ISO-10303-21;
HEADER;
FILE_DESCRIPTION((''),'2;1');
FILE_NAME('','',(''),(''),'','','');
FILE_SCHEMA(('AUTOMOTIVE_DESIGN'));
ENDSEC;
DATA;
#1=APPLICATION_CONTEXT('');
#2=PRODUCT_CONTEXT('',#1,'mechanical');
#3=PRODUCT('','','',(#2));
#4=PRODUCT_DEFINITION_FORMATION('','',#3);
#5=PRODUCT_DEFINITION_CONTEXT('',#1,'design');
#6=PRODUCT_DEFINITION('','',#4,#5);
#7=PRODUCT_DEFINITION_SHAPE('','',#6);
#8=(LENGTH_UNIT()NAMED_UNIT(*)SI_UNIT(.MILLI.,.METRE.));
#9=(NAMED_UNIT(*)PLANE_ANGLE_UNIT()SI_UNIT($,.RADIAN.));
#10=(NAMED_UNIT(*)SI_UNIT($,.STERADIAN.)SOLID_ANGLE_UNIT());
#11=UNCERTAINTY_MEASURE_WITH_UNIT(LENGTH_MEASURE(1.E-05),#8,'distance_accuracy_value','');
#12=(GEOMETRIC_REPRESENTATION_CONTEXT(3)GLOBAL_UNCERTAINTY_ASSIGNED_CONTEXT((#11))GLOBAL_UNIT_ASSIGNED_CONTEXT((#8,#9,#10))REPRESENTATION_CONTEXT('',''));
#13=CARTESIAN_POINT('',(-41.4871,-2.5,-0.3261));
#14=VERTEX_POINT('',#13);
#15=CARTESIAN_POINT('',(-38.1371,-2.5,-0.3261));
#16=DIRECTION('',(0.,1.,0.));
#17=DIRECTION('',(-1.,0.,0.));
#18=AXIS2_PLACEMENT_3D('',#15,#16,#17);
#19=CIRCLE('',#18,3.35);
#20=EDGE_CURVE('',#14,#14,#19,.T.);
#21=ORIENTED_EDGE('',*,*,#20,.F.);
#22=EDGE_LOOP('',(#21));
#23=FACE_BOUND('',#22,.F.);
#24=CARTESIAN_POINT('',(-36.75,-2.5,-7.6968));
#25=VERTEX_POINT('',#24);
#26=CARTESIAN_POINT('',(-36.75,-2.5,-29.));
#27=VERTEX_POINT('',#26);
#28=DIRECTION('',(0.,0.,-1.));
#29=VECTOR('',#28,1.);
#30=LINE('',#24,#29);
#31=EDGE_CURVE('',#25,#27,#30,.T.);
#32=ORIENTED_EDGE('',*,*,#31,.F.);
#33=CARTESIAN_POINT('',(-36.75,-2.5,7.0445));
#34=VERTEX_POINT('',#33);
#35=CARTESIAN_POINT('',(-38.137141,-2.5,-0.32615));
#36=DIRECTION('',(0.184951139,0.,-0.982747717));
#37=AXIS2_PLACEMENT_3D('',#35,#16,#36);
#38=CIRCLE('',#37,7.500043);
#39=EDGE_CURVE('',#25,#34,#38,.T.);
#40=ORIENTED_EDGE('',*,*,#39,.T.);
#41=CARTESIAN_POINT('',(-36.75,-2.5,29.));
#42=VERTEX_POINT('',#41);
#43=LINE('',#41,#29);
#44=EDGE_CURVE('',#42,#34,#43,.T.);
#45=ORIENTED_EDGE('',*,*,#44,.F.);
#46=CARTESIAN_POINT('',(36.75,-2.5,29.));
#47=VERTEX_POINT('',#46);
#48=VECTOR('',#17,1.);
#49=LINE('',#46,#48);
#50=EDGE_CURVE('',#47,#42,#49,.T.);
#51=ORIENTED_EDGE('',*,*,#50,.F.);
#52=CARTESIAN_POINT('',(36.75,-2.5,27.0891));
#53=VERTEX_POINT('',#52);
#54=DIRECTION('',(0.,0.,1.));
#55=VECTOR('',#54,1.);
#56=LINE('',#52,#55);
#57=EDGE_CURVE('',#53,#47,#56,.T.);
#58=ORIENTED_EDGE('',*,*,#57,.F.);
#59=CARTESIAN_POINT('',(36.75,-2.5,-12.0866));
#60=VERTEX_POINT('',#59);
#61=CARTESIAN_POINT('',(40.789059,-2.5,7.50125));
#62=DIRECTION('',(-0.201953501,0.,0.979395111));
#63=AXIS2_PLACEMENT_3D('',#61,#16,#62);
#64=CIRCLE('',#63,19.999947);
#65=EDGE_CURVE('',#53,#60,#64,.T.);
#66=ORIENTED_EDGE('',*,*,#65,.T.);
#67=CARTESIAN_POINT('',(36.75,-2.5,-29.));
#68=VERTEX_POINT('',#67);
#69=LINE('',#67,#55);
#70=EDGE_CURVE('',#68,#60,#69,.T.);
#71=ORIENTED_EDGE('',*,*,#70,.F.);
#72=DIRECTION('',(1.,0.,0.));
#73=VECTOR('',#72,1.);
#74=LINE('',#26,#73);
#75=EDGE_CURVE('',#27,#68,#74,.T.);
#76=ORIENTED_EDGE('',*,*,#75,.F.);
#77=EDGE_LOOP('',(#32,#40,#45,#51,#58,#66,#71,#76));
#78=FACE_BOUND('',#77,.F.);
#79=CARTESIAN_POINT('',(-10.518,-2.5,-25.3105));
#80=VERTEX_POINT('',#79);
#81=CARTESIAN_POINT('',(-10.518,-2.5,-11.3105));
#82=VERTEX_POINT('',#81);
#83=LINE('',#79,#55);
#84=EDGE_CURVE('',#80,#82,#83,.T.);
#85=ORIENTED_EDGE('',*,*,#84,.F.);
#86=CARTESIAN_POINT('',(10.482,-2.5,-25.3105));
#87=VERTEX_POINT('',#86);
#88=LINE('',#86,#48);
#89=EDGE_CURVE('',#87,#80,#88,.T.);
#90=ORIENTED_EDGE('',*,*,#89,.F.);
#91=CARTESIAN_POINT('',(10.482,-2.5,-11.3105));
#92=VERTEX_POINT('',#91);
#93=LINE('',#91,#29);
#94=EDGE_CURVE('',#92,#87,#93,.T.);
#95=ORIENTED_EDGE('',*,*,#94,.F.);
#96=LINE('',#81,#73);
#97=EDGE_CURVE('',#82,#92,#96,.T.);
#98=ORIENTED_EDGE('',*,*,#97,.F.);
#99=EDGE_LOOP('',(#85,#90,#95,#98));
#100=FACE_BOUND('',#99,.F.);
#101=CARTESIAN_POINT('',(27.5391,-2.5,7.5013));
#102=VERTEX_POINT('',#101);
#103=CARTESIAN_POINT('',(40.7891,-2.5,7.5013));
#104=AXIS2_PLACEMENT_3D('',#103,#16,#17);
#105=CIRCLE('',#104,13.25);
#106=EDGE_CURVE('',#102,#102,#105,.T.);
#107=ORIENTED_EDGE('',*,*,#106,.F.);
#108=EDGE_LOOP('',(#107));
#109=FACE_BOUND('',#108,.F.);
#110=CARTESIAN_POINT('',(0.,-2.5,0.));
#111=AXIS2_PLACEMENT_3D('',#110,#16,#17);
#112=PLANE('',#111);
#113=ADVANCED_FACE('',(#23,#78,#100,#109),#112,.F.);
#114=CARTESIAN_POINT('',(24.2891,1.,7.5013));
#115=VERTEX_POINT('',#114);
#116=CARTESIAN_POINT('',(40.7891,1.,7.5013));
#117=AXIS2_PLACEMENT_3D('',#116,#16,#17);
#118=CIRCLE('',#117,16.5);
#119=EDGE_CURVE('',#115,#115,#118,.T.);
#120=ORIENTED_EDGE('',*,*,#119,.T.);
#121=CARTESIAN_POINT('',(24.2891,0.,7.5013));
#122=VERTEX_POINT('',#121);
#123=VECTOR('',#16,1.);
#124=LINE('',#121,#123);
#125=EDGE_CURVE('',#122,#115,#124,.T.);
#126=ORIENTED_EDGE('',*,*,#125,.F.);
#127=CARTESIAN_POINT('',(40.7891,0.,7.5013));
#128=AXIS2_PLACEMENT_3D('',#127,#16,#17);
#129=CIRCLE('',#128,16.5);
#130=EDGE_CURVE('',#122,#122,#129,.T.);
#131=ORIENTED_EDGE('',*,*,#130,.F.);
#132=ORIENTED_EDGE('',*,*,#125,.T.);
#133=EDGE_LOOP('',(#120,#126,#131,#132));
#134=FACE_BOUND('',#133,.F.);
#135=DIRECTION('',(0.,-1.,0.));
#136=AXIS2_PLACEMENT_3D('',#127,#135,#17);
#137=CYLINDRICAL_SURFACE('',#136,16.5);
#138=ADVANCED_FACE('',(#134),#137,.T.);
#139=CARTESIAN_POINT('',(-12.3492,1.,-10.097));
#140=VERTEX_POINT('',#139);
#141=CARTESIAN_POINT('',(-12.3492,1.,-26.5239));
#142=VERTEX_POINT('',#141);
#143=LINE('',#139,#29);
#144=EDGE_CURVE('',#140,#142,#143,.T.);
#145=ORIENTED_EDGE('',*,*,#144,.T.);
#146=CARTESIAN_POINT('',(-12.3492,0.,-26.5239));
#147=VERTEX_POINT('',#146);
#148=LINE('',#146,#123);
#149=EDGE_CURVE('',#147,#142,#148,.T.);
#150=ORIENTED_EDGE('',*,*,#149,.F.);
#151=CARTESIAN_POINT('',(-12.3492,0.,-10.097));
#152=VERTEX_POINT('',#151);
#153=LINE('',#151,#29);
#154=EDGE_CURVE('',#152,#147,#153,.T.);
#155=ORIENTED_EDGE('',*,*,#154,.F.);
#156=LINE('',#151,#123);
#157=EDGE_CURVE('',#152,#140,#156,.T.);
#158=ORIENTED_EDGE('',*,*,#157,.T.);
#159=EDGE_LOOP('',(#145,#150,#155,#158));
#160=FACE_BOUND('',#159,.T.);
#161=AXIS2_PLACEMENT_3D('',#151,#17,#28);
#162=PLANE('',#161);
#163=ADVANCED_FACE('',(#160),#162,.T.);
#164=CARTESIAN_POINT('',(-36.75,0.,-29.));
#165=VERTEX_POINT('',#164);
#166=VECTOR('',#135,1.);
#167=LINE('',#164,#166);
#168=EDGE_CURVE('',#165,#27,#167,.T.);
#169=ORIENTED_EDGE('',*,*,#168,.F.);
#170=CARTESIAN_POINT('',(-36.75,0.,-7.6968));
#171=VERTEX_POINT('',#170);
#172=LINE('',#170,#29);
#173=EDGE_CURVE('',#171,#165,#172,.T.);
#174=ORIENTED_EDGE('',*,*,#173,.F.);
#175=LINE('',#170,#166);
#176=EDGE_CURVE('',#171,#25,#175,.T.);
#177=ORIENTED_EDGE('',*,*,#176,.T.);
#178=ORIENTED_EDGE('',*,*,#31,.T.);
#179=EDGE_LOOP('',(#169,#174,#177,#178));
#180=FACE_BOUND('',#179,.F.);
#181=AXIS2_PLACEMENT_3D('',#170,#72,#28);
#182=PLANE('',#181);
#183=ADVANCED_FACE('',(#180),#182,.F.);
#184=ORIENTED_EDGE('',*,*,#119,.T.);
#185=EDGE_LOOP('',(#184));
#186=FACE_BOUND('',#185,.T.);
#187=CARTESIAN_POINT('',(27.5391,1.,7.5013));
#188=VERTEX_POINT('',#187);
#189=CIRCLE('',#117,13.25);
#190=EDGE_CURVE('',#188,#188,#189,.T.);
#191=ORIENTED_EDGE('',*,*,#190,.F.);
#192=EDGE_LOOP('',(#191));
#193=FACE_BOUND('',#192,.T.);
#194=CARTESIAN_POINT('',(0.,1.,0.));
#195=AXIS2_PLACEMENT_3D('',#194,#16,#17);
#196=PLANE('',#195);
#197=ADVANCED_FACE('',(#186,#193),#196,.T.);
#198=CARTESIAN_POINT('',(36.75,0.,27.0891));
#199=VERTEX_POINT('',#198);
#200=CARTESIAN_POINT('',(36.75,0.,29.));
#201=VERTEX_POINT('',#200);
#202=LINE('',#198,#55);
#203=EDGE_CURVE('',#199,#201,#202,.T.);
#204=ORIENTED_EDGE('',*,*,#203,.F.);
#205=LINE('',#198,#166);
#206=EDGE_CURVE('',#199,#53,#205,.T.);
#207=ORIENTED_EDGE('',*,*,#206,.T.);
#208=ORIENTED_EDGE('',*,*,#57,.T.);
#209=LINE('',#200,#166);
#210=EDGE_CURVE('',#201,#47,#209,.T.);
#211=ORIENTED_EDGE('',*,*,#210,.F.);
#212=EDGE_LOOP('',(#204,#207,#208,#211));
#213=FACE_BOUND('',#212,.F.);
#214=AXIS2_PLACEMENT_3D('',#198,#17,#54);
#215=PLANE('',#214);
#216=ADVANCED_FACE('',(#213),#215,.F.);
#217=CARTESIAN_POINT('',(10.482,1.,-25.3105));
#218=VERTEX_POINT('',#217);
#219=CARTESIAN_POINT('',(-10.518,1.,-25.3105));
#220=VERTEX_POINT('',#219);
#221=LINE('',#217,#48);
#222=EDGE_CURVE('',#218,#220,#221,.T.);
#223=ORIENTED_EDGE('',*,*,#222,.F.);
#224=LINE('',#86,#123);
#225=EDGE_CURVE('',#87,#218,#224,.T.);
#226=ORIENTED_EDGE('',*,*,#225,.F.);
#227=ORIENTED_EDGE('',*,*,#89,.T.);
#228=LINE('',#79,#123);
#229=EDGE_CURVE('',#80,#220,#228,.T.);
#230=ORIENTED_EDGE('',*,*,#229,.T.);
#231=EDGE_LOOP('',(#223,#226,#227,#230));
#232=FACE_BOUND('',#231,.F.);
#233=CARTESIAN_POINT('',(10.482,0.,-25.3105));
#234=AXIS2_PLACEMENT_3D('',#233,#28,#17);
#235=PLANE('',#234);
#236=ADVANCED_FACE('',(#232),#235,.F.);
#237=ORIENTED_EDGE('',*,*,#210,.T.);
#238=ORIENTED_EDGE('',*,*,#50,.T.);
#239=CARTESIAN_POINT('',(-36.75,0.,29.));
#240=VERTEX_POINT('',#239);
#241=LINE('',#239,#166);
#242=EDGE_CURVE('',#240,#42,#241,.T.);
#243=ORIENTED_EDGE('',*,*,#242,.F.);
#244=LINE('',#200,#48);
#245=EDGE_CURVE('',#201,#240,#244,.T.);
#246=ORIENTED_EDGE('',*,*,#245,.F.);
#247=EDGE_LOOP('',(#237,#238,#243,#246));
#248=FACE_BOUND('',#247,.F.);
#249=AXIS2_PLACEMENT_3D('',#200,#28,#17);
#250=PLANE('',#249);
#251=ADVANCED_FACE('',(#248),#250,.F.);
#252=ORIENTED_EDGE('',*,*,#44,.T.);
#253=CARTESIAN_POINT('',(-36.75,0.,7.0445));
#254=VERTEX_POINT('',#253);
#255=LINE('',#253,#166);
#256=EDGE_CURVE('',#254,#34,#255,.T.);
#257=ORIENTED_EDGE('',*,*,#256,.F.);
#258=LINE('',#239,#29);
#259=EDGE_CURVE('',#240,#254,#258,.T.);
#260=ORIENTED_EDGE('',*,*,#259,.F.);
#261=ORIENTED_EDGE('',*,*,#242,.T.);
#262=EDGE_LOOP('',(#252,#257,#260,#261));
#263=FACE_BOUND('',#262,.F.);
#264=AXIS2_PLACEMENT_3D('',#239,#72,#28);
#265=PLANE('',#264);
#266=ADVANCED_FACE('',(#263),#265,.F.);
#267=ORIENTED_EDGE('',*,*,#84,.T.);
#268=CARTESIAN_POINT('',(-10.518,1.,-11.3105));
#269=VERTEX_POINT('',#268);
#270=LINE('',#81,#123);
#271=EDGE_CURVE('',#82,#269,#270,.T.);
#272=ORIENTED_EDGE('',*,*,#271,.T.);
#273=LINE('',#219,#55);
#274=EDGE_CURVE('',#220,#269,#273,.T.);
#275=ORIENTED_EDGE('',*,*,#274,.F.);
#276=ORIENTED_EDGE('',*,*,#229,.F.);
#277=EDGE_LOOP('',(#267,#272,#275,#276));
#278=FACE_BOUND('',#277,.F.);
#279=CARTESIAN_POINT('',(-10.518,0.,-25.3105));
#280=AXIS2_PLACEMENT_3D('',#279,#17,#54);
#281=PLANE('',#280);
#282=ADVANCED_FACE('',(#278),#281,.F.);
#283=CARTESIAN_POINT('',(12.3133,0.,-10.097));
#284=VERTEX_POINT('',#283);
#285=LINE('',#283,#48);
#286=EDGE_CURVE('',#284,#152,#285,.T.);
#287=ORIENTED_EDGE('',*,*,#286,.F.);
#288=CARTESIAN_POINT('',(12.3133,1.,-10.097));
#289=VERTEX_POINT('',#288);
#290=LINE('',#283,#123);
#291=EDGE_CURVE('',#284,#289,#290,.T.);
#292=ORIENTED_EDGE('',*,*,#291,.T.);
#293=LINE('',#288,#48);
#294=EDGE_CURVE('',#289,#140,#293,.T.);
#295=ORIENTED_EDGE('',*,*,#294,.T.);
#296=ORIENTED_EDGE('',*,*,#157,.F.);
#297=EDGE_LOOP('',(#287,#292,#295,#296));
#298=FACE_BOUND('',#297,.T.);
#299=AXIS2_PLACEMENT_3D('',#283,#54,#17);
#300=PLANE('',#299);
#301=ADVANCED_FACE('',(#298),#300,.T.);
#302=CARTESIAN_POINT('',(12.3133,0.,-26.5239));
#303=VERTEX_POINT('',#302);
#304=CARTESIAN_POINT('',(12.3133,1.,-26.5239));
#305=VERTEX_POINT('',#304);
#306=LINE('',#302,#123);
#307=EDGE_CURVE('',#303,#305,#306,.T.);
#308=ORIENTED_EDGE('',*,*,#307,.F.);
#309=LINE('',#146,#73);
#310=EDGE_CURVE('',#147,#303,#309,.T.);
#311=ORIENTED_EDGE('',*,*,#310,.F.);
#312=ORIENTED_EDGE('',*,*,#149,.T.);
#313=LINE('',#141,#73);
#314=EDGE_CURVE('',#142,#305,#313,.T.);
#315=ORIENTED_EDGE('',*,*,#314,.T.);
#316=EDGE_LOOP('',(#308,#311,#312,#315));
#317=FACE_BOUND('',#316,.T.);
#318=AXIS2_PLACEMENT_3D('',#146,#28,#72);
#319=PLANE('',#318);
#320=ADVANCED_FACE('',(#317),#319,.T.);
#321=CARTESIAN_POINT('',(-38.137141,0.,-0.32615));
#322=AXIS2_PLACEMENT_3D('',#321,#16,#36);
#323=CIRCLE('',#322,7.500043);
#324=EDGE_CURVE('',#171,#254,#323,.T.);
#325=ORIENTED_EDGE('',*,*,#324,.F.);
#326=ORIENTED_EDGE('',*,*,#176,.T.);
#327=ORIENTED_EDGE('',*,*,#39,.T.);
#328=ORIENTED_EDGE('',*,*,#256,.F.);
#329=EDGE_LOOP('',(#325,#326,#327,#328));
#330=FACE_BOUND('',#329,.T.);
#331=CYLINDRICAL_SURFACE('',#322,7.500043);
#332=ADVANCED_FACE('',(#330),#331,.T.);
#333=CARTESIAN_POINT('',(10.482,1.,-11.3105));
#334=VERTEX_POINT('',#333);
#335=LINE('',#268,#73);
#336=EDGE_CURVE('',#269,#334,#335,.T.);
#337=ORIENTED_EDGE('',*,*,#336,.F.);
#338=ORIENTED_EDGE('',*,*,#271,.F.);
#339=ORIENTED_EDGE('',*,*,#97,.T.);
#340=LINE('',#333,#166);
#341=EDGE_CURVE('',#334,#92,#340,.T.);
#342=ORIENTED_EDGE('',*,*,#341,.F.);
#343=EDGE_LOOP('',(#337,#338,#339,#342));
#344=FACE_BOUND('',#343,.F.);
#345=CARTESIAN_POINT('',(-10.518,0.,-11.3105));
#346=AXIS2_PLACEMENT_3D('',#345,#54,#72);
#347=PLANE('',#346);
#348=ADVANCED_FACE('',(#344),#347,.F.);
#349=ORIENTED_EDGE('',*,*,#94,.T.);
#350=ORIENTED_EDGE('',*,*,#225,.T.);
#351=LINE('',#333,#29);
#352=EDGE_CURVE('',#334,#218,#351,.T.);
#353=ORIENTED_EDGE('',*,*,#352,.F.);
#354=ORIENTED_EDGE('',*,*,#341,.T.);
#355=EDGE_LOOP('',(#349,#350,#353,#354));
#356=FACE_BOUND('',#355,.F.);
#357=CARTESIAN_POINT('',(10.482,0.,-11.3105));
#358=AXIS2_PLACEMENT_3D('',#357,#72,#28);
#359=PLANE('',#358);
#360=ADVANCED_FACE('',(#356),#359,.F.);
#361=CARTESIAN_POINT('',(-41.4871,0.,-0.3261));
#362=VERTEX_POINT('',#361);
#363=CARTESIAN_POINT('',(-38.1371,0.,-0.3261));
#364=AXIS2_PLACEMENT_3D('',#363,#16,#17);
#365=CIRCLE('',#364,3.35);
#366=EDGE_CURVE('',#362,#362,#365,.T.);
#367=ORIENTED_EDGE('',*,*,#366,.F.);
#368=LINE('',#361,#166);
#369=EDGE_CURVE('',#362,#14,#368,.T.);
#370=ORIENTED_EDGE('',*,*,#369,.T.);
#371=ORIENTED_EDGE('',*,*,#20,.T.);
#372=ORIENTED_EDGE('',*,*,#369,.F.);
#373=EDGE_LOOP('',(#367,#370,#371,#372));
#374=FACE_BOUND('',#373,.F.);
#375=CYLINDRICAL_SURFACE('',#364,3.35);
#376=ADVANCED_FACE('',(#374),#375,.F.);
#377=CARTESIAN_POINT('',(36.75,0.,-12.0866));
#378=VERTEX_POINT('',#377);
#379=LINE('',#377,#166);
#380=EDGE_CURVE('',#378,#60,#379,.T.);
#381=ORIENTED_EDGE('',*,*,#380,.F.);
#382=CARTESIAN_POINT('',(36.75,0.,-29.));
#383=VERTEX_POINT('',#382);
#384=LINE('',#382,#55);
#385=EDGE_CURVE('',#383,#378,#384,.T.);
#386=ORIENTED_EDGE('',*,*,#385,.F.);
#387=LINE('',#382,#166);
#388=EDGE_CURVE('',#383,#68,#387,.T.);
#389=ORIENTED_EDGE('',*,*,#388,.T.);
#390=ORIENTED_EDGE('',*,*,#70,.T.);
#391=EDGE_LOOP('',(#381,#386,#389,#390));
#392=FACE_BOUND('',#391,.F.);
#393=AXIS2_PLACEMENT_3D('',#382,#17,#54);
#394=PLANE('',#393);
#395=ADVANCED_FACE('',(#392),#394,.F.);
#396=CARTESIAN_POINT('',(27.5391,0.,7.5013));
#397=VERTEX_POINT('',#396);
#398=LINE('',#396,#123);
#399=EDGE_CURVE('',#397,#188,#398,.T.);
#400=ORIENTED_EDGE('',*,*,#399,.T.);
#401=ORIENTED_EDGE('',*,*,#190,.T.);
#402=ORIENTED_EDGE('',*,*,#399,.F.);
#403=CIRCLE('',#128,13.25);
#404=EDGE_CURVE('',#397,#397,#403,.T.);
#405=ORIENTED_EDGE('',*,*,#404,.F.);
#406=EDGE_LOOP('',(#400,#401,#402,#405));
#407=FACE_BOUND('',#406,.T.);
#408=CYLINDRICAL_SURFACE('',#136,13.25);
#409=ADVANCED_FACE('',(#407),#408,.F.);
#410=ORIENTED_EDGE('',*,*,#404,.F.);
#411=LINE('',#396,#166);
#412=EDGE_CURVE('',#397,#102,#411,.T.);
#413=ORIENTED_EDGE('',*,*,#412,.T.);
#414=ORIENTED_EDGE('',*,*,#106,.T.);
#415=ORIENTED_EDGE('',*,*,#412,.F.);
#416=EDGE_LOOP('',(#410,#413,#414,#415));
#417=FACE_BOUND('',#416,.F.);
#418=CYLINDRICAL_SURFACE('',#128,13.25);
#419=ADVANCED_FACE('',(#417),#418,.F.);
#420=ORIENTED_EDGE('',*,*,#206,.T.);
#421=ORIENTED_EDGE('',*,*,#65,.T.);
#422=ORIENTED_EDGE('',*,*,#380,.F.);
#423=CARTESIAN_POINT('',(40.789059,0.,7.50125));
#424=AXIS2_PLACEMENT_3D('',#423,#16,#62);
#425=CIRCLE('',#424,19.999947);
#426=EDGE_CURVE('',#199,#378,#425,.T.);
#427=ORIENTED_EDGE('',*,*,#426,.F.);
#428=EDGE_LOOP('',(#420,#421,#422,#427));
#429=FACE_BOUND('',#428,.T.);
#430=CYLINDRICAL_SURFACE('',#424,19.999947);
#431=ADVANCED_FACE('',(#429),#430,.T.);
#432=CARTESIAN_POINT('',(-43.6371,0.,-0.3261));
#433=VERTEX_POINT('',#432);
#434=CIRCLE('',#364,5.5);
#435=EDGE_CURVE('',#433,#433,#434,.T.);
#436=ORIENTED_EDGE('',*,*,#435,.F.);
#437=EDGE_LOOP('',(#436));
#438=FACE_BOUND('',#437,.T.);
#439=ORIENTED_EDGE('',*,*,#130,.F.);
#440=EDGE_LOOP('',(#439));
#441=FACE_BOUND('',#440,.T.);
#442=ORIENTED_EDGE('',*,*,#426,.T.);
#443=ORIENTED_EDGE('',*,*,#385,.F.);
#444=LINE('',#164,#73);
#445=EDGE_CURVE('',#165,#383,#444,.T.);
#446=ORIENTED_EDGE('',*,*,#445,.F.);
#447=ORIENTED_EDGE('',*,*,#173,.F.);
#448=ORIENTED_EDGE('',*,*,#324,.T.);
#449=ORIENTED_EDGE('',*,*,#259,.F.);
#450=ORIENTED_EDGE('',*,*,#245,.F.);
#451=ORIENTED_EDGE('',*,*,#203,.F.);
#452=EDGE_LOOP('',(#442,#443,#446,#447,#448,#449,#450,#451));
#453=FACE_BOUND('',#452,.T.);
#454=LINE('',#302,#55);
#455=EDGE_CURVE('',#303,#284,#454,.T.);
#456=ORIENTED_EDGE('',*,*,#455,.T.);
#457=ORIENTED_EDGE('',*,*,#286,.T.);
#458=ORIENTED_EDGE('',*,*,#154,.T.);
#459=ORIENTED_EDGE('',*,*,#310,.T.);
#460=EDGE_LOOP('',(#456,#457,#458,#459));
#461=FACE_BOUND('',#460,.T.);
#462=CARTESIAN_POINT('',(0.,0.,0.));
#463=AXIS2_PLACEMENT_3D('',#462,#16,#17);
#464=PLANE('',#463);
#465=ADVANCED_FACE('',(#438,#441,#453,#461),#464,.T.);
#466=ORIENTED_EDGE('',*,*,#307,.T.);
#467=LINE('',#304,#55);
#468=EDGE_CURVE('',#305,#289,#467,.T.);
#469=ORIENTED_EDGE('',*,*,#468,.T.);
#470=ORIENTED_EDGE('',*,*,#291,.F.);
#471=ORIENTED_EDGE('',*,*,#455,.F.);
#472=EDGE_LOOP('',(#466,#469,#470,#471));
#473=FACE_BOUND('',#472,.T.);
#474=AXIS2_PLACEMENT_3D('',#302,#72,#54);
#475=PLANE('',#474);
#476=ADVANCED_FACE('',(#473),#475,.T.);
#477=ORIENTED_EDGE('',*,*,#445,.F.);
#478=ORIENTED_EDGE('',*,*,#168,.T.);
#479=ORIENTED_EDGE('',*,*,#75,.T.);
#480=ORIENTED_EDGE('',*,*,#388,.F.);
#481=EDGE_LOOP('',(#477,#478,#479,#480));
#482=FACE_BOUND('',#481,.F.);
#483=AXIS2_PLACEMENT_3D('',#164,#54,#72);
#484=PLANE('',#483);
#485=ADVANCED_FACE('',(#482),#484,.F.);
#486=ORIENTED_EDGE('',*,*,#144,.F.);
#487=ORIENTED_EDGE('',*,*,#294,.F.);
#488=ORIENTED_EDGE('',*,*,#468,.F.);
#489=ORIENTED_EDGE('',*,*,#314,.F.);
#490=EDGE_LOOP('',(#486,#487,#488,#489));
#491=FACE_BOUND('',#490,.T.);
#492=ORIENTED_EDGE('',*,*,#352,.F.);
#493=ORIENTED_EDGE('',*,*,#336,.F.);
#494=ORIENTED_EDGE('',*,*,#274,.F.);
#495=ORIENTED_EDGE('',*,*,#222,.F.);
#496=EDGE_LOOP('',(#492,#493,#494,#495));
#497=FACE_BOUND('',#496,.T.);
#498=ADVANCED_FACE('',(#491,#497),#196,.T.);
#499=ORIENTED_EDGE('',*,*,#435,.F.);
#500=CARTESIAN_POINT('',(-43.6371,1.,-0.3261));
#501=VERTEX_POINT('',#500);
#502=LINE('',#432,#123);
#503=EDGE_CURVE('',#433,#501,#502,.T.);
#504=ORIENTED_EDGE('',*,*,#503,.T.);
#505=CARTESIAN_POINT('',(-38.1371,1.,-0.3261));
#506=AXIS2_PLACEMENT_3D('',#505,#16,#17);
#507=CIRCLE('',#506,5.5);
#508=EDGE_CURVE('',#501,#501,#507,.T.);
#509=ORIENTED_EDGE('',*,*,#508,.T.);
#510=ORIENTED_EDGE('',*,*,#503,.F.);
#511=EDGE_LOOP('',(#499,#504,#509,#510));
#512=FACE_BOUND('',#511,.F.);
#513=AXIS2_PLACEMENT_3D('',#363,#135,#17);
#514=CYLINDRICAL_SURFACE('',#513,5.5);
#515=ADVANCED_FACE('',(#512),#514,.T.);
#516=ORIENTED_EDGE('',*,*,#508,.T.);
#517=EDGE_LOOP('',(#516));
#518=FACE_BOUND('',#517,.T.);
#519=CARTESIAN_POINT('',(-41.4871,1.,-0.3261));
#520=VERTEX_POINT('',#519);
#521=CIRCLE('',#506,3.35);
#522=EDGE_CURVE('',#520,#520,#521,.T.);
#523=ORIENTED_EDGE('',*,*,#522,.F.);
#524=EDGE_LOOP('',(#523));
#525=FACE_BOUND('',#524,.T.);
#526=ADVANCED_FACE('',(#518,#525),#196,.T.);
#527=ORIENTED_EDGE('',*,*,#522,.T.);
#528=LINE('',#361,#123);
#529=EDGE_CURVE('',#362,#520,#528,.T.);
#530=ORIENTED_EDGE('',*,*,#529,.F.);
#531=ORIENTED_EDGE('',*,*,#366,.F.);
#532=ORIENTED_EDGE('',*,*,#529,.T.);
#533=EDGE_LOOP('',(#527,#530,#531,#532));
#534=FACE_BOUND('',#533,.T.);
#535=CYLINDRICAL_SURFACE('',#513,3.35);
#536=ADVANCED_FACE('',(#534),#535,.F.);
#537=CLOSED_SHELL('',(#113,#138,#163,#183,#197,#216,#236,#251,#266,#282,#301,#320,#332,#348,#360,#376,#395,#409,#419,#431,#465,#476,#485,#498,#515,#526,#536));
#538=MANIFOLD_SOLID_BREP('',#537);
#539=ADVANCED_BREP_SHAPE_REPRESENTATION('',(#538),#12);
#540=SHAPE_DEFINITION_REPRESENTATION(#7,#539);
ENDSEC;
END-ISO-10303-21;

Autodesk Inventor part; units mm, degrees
ref_plane "YZ Plane" through (0, 0, 0) normal (1, 0, 0) x (0, 1, 0)
ref_plane "XZ Plane" through (0, 0, 0) normal (0, 1, 0) x (-1, 0, 0)
ref_plane "XY Plane" through (0, 0, 0) normal (0, 0, 1) x (1, 0, 0)
sketch "Sketch1" plane through (0, 0, 0) normal (0, 1, 0) x (-1, 0, 0)
  line L0 (36.75, 29) -> (36.75, 7.0445)
  line L1 (36.75, -29) -> (-36.75, -29)
  line L2 (-36.75, -29) -> (-36.75, -12.0866)
  line L3 (-36.75, 29) -> (36.75, 29)
  line L4 (36.75, 29) -> (-36.75, -29) construction
  line L5 (36.75, -29) -> (-36.75, 29) construction
  line L6 (-36.75, 27.0891) -> (-36.75, 29)
  arc A0 (36.75, -7.6968) -> (36.75, 7.0445) centre (38.1371, -0.3261) ccw
  circle A1 centre (38.1371, -0.3261) radius 3.35
  line L7 (36.75, -7.6968) -> (36.75, -29)
  arc A2 (-36.75, 27.0891) -> (-36.75, -12.0866) centre (-40.7891, 7.5013) ccw
  circle A3 centre (-40.7891, 7.5013) radius 13.25
  arc A4 (36.75, 7.0445) -> (36.75, -7.6968) centre (38.1371, -0.3261) ccw
  arc A5 (-36.75, -12.0866) -> (-36.75, 27.0891) centre (-40.7891, 7.5013) ccw
  line L8 (10.518, -11.3105) -> (-10.482, -11.3105)
  line L9 (-10.482, -11.3105) -> (-10.482, -25.3105)
  line L10 (-10.482, -25.3105) -> (10.518, -25.3105)
  line L11 (10.518, -25.3105) -> (10.518, -11.3105)
  circle A6 centre (-40.7891, 7.5013) radius 16.5
  line L12 (-12.3133, -10.097) -> (12.3492, -10.097)
  line L13 (12.3492, -10.097) -> (12.3492, -26.5239)
  line L14 (12.3492, -26.5239) -> (-12.3133, -26.5239)
  line L15 (-12.3133, -26.5239) -> (-12.3133, -10.097)
  line L16 (-12.3133, -10.097) -> (12.3492, -26.5239) construction
  line L17 (12.3492, -10.097) -> (-12.3133, -26.5239) construction
  circle A7 centre (38.1371, -0.3261) radius 5.5
  point P0 (0, 0)
  point P1 (0.018, -18.3105)
  dimension "d0" = 58
  dimension "d1" = 73.5
  dimension "d7" = 6.7
  dimension "d8" = 40
  dimension "d9" = 26.5
  dimension "d12" = 21
  dimension "d13" = 14
  dimension "d14" = 33
extrude "Extrusion2" add sketch "Sketch1" against normal blind 2.5 contours L0 A4 L7 L1 L2 A5 L6 L3 | A0 A4 | A5 A2 | A6 | L12 L13 L14 L15 | A7
extrude "Extrusion3" add sketch "Sketch1" along normal blind 1 contours A6 | L12 L13 L14 L15 | A7
properties part number "Controller_faceplate_v0.2"
